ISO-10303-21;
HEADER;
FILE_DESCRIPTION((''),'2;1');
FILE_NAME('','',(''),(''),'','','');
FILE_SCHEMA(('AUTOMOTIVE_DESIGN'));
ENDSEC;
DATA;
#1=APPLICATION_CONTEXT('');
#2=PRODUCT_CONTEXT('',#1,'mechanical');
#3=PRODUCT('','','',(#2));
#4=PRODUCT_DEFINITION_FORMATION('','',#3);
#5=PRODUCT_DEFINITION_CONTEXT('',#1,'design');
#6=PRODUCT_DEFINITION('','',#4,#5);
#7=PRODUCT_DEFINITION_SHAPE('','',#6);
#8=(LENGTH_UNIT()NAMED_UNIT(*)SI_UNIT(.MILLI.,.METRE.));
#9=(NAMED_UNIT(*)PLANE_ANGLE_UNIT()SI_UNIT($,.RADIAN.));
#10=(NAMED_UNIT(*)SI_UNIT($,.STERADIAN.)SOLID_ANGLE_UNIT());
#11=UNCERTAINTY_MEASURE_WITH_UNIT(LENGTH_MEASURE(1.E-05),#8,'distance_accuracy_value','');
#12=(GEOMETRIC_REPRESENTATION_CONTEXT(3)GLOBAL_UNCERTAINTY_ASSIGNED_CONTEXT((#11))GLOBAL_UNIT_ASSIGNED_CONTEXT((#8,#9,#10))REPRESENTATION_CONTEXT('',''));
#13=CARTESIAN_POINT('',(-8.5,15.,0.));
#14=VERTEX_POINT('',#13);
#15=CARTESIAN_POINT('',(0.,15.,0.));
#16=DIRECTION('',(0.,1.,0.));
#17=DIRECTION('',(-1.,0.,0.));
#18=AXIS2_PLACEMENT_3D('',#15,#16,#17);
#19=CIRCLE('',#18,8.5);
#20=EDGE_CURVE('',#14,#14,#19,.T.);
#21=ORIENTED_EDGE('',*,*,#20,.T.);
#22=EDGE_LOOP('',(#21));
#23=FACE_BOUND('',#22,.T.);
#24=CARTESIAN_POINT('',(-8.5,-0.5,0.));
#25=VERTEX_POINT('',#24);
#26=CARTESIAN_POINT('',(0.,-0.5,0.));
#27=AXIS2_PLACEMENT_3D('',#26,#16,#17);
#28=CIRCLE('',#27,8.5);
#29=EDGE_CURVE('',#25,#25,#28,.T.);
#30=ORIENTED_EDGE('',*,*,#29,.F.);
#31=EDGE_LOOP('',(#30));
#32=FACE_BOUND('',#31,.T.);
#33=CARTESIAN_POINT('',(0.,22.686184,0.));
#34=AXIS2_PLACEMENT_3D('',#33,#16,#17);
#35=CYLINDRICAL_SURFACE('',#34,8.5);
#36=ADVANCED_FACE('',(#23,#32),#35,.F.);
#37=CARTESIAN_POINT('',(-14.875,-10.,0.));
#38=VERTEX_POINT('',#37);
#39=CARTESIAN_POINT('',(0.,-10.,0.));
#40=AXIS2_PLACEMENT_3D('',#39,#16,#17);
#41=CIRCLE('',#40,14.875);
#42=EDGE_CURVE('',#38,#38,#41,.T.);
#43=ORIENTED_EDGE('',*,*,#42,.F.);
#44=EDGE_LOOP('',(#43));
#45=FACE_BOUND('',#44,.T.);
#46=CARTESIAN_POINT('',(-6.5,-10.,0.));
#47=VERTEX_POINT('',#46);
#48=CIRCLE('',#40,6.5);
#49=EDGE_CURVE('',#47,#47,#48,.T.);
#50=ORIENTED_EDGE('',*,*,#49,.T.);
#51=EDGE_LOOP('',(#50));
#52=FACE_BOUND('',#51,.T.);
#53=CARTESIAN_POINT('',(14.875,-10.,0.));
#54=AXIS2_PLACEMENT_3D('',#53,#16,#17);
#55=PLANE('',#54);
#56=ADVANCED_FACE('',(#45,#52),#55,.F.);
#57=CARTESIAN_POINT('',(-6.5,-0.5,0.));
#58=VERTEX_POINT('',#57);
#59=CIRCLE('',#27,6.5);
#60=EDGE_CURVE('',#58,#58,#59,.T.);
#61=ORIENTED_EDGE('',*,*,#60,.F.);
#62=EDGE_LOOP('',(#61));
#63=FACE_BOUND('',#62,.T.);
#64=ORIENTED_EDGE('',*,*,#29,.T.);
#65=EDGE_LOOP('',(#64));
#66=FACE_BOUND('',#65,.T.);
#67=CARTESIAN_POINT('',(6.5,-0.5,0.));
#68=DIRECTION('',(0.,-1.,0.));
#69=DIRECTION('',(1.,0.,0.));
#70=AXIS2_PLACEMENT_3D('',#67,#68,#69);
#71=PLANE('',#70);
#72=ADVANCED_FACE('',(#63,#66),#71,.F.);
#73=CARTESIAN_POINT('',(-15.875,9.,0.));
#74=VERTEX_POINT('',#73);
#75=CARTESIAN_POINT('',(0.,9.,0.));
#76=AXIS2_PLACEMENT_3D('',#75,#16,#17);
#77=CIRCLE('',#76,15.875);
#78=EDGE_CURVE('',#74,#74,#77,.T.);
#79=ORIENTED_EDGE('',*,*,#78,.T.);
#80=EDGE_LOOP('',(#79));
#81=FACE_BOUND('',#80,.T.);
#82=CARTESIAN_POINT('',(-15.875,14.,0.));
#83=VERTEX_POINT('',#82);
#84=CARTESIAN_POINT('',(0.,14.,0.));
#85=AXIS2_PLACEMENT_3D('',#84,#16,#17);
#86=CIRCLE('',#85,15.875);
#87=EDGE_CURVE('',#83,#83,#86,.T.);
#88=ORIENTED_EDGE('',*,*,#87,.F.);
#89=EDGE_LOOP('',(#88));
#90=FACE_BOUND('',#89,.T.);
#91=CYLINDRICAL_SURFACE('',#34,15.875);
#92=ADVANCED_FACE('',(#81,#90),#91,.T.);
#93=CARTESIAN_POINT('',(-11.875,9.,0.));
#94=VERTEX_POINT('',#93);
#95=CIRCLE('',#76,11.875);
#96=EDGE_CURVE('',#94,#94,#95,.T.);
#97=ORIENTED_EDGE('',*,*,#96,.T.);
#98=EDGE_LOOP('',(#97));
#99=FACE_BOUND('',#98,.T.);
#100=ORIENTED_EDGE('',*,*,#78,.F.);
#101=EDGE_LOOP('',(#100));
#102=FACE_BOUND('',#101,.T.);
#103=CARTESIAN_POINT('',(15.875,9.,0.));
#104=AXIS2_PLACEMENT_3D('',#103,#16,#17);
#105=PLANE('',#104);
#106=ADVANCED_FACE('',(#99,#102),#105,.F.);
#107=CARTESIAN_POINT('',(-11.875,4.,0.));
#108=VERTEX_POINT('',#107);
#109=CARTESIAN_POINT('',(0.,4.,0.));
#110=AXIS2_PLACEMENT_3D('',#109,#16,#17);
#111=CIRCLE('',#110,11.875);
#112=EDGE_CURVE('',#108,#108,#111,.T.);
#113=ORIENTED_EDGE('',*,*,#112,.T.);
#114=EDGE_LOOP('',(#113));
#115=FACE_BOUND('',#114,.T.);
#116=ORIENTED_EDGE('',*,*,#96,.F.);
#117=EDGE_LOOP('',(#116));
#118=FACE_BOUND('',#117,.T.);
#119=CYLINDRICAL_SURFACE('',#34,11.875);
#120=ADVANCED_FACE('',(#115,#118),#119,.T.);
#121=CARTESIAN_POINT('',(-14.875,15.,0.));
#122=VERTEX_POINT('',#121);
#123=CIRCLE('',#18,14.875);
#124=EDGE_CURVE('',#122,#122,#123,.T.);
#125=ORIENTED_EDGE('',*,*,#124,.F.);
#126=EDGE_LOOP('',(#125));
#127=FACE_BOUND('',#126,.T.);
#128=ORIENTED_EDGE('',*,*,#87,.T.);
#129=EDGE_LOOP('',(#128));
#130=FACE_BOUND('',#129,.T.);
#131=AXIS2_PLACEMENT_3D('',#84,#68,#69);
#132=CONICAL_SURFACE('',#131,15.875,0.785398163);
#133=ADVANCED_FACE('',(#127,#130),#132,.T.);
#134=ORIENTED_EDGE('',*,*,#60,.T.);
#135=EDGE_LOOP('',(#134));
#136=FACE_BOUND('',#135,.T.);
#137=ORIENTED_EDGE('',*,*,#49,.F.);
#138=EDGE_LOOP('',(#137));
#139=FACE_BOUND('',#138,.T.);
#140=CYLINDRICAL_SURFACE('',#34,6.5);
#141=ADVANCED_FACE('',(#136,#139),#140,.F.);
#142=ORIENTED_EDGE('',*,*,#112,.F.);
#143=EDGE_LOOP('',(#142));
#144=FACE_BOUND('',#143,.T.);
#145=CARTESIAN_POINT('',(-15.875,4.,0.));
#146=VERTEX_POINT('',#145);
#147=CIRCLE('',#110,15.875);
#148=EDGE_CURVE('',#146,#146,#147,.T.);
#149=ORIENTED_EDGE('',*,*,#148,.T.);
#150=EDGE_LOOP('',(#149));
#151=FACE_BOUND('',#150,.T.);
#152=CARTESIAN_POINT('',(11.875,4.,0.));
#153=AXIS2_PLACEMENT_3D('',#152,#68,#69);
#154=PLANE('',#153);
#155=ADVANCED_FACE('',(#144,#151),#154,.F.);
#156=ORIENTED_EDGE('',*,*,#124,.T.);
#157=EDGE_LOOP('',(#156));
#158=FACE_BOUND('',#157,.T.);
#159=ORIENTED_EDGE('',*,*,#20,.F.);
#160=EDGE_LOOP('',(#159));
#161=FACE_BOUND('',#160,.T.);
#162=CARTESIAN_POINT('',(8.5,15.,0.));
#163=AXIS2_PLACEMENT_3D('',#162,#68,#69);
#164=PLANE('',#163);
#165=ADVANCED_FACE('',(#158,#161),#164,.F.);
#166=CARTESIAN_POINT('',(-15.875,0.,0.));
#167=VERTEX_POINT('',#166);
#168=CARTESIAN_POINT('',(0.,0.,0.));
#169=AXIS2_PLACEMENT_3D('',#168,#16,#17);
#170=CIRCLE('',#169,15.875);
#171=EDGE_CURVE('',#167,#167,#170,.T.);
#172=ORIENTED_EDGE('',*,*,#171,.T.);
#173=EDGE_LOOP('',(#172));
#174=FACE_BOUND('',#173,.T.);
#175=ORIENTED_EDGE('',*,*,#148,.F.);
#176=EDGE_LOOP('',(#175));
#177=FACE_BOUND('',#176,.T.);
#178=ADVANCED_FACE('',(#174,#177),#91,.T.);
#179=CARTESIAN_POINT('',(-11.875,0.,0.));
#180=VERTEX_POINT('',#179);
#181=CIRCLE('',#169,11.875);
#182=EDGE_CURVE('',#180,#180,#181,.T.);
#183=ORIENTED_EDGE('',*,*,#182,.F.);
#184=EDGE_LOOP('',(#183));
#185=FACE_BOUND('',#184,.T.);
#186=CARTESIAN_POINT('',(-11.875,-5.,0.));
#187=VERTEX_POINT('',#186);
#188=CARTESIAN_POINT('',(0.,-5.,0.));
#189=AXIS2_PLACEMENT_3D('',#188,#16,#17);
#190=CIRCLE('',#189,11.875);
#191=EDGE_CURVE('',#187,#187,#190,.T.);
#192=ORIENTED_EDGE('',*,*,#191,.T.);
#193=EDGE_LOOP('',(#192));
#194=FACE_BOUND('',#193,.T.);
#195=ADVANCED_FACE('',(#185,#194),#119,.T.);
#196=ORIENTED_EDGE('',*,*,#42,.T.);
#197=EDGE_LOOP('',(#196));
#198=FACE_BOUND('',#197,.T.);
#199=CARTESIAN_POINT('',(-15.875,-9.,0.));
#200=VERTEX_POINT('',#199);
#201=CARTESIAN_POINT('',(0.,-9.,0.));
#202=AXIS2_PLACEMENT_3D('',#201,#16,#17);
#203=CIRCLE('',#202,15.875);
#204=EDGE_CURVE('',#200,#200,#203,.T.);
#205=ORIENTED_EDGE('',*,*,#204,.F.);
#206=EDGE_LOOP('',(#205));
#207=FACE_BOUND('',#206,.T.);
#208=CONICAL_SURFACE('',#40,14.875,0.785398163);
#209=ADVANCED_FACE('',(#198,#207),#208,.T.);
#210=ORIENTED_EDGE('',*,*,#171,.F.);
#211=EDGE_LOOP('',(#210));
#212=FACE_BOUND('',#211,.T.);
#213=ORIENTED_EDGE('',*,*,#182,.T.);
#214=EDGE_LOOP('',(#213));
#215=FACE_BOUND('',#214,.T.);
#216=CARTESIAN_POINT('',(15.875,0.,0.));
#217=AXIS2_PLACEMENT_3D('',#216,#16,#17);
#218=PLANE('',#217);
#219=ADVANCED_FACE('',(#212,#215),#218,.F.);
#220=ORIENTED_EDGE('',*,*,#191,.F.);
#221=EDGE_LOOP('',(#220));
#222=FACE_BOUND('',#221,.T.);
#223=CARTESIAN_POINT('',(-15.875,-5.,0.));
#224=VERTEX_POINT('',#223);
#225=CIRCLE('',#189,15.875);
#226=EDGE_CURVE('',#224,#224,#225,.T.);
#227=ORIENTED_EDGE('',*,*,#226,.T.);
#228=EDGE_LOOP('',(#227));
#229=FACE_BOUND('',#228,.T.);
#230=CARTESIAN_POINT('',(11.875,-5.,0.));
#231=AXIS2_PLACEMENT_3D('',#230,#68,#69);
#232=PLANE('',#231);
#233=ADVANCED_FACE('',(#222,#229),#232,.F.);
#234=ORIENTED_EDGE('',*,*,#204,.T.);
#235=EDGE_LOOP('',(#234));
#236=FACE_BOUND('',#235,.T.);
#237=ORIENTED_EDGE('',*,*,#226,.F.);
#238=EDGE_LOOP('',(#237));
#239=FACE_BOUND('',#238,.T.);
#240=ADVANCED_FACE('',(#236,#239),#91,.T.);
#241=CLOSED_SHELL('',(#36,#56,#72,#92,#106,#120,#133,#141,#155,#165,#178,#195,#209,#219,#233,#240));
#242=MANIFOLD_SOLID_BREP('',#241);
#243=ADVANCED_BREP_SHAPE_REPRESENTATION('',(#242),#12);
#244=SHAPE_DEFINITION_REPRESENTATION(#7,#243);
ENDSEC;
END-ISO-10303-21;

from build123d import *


with BuildPart() as part:
    # Croquis1 → Revolución4 (revolve)
    with BuildSketch(Plane.XY):
        Polygon((6.5, -10), (6.5, -0.5), (8.5, -0.5), (8.5, 15), (14.875, 15), (15.875, 14), (15.875, 9), (11.875, 9), (11.875, 4), (15.875, 4), (15.875, 0), (11.875, 0), (11.875, -5), (15.875, -5), (15.875, -9), (14.875, -10), align=None)
    revolve(axis=Axis((0, 22.686183704, 0), (0, -1, 0)))


solid = part.part
